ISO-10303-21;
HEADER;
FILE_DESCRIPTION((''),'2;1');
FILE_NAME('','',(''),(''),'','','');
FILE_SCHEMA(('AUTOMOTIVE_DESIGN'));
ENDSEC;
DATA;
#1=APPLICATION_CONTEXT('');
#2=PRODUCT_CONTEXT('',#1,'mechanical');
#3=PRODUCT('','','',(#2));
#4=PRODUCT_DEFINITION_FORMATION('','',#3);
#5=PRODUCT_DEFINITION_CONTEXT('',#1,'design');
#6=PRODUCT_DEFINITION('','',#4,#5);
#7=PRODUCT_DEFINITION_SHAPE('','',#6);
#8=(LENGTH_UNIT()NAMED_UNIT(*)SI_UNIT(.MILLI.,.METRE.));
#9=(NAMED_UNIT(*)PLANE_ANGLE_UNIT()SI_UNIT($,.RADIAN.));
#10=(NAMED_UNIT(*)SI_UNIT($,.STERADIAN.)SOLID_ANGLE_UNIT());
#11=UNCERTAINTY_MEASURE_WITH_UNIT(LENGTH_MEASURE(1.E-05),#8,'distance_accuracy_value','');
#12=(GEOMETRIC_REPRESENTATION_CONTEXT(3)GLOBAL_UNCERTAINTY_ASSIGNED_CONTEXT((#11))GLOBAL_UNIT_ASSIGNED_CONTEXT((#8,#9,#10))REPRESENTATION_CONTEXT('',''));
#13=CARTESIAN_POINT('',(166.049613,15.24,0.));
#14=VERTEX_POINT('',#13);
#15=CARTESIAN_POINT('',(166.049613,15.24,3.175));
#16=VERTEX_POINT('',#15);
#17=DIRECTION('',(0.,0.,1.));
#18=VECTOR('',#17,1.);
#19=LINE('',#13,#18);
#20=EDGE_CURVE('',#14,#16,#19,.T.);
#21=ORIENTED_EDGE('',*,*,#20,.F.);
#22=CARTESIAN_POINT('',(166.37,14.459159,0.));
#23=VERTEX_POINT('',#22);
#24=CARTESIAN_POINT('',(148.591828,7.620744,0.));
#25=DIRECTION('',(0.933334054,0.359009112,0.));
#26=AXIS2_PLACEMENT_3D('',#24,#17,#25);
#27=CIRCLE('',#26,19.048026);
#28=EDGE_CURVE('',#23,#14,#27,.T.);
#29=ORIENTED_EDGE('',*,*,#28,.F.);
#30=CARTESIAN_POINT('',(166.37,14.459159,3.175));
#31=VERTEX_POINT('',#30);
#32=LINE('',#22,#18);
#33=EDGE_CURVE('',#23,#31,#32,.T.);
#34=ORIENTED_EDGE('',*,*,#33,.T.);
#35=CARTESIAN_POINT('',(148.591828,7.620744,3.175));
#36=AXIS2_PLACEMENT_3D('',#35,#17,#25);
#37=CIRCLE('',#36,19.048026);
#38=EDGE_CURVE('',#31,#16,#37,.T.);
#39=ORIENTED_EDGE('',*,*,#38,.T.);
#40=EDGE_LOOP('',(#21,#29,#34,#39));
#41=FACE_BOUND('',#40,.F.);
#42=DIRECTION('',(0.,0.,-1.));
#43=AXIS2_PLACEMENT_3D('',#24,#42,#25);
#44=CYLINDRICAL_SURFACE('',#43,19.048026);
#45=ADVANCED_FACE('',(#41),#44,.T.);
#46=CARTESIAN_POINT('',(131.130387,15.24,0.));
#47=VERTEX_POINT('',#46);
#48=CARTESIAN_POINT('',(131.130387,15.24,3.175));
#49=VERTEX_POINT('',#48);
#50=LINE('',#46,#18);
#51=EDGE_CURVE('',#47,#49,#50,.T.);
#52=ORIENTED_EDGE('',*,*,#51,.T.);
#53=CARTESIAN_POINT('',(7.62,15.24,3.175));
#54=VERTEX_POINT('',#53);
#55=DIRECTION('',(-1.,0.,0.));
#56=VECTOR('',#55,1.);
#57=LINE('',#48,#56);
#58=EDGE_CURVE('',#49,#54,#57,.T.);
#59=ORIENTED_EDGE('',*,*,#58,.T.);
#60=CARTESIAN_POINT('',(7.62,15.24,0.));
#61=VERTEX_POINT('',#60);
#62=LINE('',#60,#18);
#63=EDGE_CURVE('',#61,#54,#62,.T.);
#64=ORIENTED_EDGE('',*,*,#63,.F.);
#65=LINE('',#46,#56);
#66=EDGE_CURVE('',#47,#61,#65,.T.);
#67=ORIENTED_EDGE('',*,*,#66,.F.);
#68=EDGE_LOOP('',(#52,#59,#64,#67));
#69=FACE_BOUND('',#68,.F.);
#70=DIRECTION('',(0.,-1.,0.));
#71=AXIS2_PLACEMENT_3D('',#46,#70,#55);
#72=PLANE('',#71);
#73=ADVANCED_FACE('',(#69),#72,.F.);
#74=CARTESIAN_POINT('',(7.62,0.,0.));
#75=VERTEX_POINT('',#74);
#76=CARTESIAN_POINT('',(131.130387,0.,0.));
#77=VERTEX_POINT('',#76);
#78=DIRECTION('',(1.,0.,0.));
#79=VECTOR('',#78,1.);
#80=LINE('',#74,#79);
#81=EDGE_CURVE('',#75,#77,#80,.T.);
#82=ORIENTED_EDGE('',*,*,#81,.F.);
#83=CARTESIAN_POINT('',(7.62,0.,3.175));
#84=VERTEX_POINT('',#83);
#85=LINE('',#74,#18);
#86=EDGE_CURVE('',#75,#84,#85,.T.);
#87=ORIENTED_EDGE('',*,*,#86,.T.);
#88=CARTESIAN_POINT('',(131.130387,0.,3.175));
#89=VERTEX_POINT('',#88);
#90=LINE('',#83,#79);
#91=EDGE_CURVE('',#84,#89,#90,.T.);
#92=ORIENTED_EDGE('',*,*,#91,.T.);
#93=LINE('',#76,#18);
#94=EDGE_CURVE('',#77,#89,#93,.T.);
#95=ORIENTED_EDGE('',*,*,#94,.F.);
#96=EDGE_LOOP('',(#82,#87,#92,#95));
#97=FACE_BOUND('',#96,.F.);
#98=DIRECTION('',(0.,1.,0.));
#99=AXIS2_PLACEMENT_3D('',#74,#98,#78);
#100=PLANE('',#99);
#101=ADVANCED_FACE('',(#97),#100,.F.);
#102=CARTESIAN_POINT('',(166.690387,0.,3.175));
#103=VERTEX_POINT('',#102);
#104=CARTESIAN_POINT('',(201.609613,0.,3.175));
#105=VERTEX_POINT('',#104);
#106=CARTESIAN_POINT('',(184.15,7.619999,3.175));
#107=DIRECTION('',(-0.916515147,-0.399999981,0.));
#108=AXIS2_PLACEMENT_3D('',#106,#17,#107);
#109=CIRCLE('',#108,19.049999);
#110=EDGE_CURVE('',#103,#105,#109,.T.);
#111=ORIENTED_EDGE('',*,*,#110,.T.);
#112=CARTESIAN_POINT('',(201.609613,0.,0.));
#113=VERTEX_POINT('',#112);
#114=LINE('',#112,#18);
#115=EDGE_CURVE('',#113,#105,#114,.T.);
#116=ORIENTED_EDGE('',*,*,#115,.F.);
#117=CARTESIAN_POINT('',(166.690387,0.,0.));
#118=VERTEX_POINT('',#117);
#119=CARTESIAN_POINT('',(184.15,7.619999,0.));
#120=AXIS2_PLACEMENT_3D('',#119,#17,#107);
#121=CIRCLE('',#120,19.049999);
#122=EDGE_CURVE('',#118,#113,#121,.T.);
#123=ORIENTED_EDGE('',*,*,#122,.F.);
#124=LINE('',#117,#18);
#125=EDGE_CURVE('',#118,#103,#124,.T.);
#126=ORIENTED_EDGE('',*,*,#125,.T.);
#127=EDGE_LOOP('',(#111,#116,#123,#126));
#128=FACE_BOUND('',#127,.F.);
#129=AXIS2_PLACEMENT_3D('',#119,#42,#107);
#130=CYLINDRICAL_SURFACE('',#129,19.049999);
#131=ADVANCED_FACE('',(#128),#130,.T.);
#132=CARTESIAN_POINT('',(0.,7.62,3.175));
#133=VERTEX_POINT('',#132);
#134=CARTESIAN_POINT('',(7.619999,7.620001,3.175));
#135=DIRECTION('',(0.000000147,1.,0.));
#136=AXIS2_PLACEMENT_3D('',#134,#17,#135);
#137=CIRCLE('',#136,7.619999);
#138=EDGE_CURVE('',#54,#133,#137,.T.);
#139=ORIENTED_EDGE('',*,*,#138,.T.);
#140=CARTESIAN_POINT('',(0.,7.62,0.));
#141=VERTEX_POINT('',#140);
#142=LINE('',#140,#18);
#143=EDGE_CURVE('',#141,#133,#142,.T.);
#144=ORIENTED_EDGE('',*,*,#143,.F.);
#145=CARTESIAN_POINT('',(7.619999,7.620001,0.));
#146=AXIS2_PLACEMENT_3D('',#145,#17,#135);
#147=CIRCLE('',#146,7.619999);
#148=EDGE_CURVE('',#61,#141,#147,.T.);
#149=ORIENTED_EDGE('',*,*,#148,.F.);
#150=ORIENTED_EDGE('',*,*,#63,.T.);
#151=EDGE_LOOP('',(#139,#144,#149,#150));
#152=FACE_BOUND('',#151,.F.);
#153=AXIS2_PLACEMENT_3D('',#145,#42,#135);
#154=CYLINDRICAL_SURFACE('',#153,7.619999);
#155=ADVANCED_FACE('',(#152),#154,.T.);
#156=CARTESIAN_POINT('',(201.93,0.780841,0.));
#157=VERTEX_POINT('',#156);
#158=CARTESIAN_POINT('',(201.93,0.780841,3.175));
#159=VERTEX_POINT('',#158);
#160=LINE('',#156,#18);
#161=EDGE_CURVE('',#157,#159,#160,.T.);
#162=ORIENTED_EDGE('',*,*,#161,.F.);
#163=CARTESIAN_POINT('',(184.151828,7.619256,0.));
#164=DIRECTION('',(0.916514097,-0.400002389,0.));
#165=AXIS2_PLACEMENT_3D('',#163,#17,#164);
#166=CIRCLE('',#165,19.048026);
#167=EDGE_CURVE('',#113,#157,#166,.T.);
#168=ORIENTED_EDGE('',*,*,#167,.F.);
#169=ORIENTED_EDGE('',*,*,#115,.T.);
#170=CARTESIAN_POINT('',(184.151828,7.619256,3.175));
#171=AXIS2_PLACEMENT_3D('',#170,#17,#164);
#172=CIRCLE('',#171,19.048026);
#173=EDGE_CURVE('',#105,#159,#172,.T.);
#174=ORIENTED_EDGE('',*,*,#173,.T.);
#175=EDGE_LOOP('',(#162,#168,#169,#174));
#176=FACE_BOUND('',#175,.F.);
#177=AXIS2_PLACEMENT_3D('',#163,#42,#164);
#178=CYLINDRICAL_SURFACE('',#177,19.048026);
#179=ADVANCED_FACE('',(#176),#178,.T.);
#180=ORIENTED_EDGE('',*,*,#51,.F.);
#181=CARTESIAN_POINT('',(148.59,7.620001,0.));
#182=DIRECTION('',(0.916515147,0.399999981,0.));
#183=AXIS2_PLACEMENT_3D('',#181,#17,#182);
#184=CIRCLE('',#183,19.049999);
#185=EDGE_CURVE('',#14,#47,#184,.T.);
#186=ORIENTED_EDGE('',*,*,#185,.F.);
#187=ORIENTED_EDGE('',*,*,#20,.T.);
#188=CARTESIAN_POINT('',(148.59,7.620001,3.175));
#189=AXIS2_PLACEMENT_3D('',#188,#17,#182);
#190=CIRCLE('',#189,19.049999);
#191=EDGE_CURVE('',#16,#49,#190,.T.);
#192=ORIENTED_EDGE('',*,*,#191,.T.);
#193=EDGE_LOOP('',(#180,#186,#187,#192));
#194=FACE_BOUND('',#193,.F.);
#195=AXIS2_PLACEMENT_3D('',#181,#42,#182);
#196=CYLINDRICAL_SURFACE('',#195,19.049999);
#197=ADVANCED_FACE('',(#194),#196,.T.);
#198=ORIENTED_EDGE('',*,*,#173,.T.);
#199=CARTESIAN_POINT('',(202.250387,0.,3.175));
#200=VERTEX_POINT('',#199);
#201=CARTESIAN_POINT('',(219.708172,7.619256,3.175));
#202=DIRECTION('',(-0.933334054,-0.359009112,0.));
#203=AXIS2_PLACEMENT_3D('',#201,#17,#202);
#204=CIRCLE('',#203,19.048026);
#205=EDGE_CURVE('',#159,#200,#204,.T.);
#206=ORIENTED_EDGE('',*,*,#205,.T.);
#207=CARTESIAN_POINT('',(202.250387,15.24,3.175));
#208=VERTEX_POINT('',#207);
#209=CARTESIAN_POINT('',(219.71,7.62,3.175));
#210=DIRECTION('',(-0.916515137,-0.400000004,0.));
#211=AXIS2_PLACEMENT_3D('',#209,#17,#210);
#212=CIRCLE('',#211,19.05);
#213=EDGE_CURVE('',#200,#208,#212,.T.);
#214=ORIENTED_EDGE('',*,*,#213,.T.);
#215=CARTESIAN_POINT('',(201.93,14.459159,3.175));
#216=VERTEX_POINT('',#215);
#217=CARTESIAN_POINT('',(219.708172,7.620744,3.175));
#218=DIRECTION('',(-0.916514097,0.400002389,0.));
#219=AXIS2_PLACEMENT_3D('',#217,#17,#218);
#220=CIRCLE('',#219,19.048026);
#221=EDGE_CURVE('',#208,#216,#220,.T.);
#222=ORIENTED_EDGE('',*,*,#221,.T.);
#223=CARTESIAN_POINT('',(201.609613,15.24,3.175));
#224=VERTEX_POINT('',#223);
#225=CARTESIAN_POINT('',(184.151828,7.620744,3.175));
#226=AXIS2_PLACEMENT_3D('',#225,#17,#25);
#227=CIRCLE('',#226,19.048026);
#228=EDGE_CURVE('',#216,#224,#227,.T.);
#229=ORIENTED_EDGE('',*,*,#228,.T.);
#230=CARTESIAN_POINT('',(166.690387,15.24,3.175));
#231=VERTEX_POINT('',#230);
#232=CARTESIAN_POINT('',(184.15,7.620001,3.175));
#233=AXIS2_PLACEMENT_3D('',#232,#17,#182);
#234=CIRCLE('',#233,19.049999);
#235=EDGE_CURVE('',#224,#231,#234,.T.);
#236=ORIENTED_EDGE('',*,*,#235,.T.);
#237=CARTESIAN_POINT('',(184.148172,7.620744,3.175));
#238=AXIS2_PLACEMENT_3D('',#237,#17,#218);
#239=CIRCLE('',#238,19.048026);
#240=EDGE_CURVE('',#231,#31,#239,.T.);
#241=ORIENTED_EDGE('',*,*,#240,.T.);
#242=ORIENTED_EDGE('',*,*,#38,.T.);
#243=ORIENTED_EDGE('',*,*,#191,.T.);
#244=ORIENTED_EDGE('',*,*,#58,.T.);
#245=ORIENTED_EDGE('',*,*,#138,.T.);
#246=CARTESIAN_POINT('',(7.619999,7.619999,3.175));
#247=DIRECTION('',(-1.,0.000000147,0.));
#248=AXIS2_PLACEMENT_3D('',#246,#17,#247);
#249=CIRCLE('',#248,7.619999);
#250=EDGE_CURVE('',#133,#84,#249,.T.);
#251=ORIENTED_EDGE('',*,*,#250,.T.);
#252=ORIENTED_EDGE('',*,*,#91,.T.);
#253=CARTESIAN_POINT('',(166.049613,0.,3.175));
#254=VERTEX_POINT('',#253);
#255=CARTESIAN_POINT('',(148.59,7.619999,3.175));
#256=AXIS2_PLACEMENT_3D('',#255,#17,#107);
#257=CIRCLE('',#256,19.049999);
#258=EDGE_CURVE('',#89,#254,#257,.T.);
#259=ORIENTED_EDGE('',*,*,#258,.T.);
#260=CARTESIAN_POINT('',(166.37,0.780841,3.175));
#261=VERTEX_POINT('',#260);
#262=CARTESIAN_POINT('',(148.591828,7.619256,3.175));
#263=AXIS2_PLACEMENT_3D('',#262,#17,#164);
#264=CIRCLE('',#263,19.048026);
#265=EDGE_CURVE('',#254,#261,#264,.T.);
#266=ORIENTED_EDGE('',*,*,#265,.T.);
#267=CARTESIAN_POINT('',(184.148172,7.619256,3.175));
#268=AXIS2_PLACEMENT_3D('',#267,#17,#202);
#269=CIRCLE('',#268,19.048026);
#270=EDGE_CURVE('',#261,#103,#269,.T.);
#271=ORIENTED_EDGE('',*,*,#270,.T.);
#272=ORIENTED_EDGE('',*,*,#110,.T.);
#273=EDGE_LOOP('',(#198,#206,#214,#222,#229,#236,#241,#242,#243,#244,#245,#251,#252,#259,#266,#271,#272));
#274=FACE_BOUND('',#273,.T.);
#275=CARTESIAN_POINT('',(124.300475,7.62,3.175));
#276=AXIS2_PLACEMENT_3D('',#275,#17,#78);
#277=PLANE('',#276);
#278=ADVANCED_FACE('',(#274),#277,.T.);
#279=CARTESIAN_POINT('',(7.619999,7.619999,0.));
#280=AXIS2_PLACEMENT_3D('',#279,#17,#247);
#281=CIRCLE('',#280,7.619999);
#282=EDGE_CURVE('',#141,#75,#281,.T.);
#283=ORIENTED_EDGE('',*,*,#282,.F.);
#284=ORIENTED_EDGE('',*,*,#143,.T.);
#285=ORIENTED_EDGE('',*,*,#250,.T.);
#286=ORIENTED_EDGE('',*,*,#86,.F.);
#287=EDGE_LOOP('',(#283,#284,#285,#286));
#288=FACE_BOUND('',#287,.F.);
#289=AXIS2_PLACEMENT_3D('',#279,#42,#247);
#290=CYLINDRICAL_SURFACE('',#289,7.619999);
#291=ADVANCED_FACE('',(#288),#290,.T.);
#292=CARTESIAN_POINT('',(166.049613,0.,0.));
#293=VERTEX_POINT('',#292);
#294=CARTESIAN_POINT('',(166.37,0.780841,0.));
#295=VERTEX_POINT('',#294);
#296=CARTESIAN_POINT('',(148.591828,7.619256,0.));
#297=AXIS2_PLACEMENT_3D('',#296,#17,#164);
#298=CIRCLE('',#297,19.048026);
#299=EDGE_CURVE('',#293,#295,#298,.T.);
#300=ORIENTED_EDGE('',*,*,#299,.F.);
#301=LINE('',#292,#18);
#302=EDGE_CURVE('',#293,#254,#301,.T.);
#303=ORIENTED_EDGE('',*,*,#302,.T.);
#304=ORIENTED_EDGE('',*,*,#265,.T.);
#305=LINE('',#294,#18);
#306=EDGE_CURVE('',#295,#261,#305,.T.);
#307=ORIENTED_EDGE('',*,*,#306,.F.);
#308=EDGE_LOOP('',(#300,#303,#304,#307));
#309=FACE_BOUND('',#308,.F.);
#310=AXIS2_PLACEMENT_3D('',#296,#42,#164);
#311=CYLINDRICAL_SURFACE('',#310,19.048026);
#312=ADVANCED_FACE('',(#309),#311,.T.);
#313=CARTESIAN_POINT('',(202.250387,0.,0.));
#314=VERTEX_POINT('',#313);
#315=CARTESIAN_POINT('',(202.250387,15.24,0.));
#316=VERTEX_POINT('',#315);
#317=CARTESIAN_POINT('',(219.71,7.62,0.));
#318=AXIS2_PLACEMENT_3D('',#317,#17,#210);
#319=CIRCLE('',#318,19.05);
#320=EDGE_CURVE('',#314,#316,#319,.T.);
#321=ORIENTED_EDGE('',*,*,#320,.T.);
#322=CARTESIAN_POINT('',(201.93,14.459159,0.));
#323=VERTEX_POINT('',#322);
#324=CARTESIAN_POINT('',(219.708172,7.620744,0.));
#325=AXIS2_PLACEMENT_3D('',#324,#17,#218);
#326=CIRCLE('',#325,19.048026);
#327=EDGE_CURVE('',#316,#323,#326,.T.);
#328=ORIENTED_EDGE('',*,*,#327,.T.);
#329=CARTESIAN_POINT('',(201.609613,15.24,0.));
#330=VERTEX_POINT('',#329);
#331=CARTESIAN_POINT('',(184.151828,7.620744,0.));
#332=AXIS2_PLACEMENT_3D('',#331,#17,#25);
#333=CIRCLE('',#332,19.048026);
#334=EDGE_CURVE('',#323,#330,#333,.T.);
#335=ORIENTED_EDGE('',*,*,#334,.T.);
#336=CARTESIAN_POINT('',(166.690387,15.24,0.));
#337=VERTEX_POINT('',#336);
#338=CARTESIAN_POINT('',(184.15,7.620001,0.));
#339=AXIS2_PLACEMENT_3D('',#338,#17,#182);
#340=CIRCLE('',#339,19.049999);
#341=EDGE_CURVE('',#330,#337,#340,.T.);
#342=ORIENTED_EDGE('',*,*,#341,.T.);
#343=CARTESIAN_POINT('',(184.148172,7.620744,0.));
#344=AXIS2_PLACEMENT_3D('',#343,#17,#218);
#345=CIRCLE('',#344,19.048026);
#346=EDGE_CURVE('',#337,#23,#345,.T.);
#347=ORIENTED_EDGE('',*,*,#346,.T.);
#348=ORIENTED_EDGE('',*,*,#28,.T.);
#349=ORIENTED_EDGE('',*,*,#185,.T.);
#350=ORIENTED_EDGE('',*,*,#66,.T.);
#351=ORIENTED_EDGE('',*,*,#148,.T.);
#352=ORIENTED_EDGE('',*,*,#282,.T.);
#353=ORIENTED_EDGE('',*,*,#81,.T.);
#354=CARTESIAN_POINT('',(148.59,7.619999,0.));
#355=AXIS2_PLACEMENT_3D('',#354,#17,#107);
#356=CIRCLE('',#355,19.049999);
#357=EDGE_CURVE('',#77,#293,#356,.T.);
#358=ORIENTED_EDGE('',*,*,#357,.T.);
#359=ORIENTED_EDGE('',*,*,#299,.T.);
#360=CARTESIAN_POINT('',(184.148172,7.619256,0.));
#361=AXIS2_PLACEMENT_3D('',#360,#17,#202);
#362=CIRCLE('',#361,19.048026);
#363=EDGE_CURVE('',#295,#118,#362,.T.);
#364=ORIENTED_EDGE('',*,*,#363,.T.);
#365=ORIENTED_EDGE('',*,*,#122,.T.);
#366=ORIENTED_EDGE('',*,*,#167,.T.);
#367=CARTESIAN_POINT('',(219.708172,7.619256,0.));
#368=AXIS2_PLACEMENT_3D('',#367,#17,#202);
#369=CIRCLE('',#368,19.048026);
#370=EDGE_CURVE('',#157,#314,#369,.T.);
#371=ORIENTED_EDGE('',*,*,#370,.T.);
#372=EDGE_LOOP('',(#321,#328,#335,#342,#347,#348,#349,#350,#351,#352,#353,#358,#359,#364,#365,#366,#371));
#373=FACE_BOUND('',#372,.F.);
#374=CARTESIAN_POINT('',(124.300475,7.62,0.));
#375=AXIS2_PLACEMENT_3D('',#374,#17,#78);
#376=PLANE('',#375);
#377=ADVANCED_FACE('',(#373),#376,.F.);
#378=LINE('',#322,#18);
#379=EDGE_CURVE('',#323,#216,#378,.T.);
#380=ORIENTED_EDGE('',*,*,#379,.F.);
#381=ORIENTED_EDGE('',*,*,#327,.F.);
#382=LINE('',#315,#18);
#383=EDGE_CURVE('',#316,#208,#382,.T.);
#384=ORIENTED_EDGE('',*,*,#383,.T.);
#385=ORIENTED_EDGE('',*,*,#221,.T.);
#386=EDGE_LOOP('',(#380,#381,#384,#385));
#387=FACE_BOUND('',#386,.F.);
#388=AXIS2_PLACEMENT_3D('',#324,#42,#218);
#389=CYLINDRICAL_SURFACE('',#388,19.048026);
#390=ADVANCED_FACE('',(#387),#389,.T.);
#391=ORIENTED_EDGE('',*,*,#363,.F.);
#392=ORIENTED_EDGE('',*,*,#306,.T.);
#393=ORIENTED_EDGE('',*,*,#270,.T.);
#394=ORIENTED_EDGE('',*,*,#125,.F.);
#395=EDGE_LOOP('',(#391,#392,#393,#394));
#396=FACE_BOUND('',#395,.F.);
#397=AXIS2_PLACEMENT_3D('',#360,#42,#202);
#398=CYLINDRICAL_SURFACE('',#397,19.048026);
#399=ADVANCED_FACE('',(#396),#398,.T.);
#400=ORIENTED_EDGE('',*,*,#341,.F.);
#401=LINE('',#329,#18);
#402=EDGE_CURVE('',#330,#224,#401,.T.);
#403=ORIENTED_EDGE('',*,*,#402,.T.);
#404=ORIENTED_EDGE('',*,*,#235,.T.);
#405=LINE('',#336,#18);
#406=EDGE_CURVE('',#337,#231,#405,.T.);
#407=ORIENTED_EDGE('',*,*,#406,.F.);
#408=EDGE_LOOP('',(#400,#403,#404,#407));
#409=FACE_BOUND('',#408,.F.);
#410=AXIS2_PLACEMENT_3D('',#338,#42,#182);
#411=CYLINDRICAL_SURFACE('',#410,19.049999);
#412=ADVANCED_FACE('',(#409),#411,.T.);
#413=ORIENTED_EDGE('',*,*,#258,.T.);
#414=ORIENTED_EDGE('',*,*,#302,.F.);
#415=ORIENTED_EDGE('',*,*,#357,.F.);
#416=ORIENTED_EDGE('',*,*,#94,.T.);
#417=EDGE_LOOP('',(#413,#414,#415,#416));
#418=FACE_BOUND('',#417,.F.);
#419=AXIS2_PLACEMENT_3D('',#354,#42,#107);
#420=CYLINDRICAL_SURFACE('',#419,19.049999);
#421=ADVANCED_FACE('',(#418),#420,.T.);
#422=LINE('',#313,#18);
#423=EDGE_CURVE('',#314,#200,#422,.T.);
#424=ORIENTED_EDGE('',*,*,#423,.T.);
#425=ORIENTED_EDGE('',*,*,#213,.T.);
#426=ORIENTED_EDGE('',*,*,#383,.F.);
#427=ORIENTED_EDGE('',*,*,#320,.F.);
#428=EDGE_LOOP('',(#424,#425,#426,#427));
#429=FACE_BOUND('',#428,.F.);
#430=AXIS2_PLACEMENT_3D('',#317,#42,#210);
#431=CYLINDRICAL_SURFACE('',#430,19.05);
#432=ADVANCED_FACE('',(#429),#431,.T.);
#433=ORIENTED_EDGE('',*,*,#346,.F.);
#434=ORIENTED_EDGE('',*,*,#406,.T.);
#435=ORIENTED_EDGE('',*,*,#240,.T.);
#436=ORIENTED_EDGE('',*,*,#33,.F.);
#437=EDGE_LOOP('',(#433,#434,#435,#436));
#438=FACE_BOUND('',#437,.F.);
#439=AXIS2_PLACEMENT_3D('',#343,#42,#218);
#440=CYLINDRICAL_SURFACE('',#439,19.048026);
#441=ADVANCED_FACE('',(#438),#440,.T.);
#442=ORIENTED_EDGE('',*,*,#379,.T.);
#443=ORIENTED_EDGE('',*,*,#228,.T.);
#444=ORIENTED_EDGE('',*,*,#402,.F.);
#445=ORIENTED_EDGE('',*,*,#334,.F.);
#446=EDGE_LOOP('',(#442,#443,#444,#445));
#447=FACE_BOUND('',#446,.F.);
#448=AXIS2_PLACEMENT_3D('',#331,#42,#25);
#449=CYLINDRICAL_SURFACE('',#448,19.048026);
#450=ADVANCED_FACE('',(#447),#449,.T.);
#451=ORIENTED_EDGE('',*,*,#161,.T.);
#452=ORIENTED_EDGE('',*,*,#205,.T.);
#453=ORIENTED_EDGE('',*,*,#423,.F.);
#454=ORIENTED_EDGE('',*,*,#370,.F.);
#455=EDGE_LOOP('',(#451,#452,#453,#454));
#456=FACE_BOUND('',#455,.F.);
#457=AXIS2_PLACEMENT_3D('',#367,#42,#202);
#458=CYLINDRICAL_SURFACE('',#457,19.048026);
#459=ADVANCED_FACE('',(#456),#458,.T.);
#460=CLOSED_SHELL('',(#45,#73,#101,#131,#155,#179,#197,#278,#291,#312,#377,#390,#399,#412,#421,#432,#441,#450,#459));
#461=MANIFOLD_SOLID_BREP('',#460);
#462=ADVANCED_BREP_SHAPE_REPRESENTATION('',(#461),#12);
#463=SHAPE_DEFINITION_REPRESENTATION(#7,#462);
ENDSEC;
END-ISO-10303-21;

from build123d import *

# Parameters (mm, degrees)
F1_DEPTH = 3.175


with BuildPart() as f1:
    # F0 (on Top) → F1 (new body)
    with BuildSketch(Plane.XY):
        with BuildLine():
            ThreePointArc((201.609613, 0), (201.774132, 0.388646), (201.93, 0.780841))
            ThreePointArc((201.93, 0.780841), (202.085868, 0.388646), (202.250387, 0))
            ThreePointArc((202.250387, 0), (238.76, 7.62), (202.250387, 15.24))
            ThreePointArc((202.250387, 15.24), (202.085868, 14.851354), (201.93, 14.459159))
            ThreePointArc((201.93, 14.459159), (201.774132, 14.851354), (201.609613, 15.24))
            ThreePointArc((201.609613, 15.24), (184.15, 26.67), (166.690387, 15.24))
            ThreePointArc((166.690387, 15.24), (166.525868, 14.851354), (166.37, 14.459159))
            ThreePointArc((166.37, 14.459159), (166.214132, 14.851354), (166.049613, 15.24))
            ThreePointArc((166.049613, 15.24), (148.59, 26.67), (131.130387, 15.24))
            Line((131.130387, 15.24), (7.62, 15.24))
            ThreePointArc((7.62, 15.24), (2.231846, 13.008154), (0, 7.62))
            ThreePointArc((0, 7.62), (2.231846, 2.231846), (7.62, 0))
            Line((7.62, 0), (131.130387, 0))
            ThreePointArc((131.130387, 0), (148.59, -11.43), (166.049613, 0))
            ThreePointArc((166.049613, 0), (166.214132, 0.388646), (166.37, 0.780841))
            ThreePointArc((166.37, 0.780841), (166.525868, 0.388646), (166.690387, 0))
            ThreePointArc((166.690387, 0), (184.15, -11.43), (201.609613, 0))
        make_face()
    extrude(amount=F1_DEPTH)


solid = f1.part
